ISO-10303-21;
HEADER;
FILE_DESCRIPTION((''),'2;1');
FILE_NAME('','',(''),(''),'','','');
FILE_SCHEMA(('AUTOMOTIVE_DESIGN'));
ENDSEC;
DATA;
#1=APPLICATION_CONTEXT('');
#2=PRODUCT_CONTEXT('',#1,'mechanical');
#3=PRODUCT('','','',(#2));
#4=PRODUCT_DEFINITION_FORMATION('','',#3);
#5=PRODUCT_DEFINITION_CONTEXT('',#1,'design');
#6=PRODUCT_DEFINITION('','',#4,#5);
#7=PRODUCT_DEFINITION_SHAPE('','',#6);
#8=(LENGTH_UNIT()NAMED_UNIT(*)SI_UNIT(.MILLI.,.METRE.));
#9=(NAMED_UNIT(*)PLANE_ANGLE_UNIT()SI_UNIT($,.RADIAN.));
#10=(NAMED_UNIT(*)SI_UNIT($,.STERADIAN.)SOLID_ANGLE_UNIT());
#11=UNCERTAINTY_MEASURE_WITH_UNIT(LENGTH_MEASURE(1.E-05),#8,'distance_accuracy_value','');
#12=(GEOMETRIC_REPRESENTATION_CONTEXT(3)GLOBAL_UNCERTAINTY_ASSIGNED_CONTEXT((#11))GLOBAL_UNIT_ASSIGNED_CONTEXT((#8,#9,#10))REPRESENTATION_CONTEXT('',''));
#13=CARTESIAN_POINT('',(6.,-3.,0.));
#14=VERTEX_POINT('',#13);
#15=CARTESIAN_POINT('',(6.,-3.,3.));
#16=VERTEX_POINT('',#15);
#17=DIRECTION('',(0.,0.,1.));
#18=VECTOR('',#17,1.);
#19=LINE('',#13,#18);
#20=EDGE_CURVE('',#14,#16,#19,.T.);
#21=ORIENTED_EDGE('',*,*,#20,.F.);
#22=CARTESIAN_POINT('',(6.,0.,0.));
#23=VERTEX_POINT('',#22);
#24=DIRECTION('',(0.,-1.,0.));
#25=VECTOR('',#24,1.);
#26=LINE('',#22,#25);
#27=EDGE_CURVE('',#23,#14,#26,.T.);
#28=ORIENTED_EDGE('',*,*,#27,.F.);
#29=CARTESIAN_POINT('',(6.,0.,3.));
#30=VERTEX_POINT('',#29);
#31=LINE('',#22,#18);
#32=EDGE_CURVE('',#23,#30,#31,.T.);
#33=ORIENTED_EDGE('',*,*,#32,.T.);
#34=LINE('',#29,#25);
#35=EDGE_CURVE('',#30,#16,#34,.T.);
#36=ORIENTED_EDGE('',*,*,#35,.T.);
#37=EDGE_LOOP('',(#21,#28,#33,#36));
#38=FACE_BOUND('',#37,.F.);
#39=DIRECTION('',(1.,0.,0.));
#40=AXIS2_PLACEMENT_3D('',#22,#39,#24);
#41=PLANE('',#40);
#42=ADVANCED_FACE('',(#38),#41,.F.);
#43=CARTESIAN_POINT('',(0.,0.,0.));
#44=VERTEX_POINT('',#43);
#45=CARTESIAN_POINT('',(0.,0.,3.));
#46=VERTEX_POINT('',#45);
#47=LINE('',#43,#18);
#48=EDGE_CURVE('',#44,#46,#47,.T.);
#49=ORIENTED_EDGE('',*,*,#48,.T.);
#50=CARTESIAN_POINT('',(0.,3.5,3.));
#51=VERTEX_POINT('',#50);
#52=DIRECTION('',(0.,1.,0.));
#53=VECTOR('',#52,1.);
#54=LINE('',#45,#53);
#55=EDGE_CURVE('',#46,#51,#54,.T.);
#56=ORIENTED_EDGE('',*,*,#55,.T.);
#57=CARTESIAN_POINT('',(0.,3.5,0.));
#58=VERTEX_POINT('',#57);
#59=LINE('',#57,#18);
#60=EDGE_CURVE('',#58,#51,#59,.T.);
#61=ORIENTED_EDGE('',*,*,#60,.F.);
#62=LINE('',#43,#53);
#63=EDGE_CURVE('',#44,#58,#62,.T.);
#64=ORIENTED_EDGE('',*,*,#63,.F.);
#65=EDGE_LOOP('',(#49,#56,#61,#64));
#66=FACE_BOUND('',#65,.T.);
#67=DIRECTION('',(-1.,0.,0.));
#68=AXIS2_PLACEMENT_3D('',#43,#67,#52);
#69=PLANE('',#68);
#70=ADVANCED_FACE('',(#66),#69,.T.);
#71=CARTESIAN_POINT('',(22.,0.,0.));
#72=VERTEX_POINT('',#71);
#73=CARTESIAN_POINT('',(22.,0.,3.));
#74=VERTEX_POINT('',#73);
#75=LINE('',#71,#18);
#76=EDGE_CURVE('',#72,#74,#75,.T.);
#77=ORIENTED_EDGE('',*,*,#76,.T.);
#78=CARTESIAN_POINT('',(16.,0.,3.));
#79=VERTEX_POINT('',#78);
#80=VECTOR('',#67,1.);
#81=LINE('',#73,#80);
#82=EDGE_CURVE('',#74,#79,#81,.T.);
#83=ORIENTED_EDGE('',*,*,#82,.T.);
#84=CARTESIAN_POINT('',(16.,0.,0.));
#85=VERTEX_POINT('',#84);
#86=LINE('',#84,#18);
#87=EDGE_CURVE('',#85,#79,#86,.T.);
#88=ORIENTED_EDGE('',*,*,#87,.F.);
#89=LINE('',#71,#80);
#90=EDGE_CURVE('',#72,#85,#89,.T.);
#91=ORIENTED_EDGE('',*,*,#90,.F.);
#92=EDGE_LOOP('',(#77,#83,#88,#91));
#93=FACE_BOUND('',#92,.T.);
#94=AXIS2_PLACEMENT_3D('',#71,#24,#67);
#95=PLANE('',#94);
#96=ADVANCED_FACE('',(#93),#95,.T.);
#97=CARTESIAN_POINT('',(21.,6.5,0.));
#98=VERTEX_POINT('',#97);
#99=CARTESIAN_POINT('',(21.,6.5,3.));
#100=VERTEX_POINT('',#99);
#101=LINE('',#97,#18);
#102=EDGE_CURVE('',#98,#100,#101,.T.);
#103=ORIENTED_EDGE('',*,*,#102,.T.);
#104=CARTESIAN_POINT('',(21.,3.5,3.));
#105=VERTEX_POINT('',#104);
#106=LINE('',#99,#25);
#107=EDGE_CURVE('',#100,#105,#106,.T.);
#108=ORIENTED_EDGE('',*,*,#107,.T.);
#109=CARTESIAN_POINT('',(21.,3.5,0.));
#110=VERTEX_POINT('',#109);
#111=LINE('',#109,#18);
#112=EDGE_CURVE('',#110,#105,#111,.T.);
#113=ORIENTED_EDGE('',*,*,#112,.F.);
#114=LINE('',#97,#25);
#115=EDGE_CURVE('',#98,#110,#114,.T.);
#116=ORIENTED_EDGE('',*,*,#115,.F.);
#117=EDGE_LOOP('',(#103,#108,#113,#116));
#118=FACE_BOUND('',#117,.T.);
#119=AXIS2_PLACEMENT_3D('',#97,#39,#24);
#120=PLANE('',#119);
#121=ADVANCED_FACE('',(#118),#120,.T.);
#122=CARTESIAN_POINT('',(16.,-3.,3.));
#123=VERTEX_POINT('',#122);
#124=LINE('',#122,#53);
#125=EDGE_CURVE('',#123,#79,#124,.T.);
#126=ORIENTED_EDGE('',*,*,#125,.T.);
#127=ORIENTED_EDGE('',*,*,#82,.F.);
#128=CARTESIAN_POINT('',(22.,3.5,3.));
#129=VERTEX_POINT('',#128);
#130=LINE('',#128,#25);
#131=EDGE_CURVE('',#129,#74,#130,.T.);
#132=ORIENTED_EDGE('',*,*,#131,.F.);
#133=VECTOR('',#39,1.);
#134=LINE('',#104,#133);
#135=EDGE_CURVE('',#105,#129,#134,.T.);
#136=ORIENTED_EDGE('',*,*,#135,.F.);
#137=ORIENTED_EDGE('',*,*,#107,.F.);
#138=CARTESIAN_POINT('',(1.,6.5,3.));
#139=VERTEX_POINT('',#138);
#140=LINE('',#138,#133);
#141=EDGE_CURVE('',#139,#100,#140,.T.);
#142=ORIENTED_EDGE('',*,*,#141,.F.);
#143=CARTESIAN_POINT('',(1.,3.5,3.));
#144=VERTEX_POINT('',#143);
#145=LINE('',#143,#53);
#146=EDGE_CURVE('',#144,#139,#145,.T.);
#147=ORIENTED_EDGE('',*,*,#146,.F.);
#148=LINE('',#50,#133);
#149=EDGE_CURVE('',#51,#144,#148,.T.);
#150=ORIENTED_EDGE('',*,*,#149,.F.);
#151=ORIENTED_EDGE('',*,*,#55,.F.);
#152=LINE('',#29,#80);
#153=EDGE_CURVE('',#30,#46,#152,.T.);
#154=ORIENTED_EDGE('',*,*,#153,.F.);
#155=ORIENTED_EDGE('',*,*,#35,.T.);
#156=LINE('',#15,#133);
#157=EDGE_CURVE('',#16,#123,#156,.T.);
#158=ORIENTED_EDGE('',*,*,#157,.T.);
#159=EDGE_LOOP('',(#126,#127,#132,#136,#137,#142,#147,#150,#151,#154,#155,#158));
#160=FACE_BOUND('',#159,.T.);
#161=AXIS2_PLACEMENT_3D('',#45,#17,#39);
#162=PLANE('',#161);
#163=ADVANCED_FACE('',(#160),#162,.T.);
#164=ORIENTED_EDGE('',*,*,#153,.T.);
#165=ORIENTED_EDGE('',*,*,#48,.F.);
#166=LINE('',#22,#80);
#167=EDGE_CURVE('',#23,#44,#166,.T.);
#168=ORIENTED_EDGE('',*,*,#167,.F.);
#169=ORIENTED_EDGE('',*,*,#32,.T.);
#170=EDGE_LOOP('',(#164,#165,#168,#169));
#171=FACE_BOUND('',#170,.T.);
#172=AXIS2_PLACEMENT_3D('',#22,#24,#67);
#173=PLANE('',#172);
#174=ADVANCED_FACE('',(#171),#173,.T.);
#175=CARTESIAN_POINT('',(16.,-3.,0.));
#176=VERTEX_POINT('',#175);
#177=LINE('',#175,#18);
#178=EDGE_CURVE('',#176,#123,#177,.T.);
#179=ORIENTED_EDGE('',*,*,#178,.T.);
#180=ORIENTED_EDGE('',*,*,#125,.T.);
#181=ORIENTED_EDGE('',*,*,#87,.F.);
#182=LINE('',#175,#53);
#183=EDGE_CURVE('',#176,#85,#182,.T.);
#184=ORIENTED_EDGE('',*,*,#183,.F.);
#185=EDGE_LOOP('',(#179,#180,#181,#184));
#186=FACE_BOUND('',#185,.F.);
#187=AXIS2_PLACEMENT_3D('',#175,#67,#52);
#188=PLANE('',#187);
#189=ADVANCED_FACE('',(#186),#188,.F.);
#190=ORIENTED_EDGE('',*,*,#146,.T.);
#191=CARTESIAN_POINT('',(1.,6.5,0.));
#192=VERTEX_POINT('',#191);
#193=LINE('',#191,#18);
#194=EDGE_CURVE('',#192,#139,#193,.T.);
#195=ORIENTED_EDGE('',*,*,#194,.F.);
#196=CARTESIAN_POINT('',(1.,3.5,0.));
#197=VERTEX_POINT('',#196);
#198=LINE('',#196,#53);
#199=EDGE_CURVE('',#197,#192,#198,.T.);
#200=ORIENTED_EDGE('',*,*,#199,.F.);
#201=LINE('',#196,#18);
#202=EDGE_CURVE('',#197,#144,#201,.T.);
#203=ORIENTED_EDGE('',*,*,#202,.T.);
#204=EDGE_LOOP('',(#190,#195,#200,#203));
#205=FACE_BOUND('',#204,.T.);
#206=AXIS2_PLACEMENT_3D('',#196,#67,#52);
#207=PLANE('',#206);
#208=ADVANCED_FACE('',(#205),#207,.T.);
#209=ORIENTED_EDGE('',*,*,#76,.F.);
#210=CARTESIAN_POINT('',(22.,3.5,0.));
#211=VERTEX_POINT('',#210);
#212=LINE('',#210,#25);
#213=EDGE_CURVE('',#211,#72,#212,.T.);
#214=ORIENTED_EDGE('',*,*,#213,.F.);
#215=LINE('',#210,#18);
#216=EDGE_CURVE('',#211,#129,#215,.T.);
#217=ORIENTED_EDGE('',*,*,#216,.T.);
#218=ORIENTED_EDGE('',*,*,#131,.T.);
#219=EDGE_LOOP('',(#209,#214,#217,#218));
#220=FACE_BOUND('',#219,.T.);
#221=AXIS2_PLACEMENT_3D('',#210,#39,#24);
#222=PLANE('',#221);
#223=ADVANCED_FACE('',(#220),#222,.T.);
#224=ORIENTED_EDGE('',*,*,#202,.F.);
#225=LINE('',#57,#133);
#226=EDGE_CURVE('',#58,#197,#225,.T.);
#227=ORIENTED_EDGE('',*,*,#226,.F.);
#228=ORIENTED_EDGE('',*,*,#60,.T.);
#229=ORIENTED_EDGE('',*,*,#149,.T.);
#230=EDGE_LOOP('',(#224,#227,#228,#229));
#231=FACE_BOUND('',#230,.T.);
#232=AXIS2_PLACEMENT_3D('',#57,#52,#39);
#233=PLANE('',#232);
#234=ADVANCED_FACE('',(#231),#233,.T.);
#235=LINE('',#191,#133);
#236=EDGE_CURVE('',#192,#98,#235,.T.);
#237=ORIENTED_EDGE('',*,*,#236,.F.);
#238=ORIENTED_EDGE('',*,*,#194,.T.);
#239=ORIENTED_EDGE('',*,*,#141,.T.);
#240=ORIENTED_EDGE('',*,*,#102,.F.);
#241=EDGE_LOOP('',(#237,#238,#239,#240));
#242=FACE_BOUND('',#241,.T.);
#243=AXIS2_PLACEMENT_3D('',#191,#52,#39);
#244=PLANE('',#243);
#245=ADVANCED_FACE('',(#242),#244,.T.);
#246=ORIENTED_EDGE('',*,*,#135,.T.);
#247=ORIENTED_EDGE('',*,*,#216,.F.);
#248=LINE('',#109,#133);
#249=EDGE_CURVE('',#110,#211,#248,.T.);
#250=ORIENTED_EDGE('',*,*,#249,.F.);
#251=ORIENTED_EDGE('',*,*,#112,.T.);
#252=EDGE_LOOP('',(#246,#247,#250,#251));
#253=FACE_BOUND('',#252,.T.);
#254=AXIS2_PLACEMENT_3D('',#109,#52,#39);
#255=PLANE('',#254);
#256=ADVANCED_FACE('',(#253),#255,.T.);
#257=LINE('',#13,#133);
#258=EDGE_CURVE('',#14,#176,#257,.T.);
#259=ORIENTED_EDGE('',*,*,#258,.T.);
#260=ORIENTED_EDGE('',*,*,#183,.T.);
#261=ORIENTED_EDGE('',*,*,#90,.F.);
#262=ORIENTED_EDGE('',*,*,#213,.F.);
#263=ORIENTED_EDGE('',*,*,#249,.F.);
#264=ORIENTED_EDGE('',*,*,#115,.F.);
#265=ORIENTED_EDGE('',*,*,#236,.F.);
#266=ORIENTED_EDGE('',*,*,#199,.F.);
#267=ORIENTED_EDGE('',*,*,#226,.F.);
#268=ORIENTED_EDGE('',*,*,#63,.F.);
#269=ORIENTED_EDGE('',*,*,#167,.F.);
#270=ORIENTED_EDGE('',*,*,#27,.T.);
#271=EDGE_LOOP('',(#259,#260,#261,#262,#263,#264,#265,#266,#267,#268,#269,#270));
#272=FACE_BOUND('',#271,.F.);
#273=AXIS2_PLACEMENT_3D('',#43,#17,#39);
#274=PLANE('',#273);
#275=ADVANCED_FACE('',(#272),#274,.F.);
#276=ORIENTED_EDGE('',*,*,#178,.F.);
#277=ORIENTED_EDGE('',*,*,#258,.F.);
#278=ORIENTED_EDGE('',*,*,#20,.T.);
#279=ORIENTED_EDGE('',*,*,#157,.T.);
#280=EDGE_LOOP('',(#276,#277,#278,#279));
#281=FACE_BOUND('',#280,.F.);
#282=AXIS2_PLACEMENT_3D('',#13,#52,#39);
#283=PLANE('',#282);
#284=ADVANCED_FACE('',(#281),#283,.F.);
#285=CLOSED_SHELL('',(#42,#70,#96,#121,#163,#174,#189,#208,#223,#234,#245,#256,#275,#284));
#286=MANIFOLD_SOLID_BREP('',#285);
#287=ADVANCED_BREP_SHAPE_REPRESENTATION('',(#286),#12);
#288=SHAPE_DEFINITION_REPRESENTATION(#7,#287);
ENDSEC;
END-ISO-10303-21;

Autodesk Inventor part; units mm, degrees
ref_plane "YZ Plane" through (0, 0, 0) normal (1, 0, 0) x (0, 1, 0)
ref_plane "XZ Plane" through (0, 0, 0) normal (0, 1, 0) x (-1, 0, 0)
ref_plane "XY Plane" through (0, 0, 0) normal (0, 0, 1) x (1, 0, 0)
sketch "Boceto1" plane through (0, 0, 0) normal (0, 0, 1) x (1, 0, 0)
  line L0 (22, 3.5) -> (22, 0)
  line L1 (0, 0) -> (0, 3.5)
  line L2 (1, 3.5) -> (1, 6.5)
  line L3 (1, 6.5) -> (21, 6.5)
  line L4 (21, 6.5) -> (21, 3.5)
  line L5 (0, 3.5) -> (1, 3.5)
  line L6 (21, 3.5) -> (22, 3.5)
  line L7 (6, 0) -> (6, -3)
  line L8 (6, -3) -> (16, -3)
  line L9 (16, -3) -> (16, 0)
  line L10 (22, 0) -> (16, 0)
  line L11 (6, 0) -> (0, 0)
  dimension "d5" = 20
  dimension "d6" = 1
  dimension "d7" = 3
  dimension "d9" = 22
  dimension "d11" = 10
  dimension "d12" = 6
  dimension "d13" = 3
  dimension "d14" = 3.5
extrude "Extrusión1" add sketch "Boceto1" along normal blind 3
properties part number "Celda sos deslizador"
